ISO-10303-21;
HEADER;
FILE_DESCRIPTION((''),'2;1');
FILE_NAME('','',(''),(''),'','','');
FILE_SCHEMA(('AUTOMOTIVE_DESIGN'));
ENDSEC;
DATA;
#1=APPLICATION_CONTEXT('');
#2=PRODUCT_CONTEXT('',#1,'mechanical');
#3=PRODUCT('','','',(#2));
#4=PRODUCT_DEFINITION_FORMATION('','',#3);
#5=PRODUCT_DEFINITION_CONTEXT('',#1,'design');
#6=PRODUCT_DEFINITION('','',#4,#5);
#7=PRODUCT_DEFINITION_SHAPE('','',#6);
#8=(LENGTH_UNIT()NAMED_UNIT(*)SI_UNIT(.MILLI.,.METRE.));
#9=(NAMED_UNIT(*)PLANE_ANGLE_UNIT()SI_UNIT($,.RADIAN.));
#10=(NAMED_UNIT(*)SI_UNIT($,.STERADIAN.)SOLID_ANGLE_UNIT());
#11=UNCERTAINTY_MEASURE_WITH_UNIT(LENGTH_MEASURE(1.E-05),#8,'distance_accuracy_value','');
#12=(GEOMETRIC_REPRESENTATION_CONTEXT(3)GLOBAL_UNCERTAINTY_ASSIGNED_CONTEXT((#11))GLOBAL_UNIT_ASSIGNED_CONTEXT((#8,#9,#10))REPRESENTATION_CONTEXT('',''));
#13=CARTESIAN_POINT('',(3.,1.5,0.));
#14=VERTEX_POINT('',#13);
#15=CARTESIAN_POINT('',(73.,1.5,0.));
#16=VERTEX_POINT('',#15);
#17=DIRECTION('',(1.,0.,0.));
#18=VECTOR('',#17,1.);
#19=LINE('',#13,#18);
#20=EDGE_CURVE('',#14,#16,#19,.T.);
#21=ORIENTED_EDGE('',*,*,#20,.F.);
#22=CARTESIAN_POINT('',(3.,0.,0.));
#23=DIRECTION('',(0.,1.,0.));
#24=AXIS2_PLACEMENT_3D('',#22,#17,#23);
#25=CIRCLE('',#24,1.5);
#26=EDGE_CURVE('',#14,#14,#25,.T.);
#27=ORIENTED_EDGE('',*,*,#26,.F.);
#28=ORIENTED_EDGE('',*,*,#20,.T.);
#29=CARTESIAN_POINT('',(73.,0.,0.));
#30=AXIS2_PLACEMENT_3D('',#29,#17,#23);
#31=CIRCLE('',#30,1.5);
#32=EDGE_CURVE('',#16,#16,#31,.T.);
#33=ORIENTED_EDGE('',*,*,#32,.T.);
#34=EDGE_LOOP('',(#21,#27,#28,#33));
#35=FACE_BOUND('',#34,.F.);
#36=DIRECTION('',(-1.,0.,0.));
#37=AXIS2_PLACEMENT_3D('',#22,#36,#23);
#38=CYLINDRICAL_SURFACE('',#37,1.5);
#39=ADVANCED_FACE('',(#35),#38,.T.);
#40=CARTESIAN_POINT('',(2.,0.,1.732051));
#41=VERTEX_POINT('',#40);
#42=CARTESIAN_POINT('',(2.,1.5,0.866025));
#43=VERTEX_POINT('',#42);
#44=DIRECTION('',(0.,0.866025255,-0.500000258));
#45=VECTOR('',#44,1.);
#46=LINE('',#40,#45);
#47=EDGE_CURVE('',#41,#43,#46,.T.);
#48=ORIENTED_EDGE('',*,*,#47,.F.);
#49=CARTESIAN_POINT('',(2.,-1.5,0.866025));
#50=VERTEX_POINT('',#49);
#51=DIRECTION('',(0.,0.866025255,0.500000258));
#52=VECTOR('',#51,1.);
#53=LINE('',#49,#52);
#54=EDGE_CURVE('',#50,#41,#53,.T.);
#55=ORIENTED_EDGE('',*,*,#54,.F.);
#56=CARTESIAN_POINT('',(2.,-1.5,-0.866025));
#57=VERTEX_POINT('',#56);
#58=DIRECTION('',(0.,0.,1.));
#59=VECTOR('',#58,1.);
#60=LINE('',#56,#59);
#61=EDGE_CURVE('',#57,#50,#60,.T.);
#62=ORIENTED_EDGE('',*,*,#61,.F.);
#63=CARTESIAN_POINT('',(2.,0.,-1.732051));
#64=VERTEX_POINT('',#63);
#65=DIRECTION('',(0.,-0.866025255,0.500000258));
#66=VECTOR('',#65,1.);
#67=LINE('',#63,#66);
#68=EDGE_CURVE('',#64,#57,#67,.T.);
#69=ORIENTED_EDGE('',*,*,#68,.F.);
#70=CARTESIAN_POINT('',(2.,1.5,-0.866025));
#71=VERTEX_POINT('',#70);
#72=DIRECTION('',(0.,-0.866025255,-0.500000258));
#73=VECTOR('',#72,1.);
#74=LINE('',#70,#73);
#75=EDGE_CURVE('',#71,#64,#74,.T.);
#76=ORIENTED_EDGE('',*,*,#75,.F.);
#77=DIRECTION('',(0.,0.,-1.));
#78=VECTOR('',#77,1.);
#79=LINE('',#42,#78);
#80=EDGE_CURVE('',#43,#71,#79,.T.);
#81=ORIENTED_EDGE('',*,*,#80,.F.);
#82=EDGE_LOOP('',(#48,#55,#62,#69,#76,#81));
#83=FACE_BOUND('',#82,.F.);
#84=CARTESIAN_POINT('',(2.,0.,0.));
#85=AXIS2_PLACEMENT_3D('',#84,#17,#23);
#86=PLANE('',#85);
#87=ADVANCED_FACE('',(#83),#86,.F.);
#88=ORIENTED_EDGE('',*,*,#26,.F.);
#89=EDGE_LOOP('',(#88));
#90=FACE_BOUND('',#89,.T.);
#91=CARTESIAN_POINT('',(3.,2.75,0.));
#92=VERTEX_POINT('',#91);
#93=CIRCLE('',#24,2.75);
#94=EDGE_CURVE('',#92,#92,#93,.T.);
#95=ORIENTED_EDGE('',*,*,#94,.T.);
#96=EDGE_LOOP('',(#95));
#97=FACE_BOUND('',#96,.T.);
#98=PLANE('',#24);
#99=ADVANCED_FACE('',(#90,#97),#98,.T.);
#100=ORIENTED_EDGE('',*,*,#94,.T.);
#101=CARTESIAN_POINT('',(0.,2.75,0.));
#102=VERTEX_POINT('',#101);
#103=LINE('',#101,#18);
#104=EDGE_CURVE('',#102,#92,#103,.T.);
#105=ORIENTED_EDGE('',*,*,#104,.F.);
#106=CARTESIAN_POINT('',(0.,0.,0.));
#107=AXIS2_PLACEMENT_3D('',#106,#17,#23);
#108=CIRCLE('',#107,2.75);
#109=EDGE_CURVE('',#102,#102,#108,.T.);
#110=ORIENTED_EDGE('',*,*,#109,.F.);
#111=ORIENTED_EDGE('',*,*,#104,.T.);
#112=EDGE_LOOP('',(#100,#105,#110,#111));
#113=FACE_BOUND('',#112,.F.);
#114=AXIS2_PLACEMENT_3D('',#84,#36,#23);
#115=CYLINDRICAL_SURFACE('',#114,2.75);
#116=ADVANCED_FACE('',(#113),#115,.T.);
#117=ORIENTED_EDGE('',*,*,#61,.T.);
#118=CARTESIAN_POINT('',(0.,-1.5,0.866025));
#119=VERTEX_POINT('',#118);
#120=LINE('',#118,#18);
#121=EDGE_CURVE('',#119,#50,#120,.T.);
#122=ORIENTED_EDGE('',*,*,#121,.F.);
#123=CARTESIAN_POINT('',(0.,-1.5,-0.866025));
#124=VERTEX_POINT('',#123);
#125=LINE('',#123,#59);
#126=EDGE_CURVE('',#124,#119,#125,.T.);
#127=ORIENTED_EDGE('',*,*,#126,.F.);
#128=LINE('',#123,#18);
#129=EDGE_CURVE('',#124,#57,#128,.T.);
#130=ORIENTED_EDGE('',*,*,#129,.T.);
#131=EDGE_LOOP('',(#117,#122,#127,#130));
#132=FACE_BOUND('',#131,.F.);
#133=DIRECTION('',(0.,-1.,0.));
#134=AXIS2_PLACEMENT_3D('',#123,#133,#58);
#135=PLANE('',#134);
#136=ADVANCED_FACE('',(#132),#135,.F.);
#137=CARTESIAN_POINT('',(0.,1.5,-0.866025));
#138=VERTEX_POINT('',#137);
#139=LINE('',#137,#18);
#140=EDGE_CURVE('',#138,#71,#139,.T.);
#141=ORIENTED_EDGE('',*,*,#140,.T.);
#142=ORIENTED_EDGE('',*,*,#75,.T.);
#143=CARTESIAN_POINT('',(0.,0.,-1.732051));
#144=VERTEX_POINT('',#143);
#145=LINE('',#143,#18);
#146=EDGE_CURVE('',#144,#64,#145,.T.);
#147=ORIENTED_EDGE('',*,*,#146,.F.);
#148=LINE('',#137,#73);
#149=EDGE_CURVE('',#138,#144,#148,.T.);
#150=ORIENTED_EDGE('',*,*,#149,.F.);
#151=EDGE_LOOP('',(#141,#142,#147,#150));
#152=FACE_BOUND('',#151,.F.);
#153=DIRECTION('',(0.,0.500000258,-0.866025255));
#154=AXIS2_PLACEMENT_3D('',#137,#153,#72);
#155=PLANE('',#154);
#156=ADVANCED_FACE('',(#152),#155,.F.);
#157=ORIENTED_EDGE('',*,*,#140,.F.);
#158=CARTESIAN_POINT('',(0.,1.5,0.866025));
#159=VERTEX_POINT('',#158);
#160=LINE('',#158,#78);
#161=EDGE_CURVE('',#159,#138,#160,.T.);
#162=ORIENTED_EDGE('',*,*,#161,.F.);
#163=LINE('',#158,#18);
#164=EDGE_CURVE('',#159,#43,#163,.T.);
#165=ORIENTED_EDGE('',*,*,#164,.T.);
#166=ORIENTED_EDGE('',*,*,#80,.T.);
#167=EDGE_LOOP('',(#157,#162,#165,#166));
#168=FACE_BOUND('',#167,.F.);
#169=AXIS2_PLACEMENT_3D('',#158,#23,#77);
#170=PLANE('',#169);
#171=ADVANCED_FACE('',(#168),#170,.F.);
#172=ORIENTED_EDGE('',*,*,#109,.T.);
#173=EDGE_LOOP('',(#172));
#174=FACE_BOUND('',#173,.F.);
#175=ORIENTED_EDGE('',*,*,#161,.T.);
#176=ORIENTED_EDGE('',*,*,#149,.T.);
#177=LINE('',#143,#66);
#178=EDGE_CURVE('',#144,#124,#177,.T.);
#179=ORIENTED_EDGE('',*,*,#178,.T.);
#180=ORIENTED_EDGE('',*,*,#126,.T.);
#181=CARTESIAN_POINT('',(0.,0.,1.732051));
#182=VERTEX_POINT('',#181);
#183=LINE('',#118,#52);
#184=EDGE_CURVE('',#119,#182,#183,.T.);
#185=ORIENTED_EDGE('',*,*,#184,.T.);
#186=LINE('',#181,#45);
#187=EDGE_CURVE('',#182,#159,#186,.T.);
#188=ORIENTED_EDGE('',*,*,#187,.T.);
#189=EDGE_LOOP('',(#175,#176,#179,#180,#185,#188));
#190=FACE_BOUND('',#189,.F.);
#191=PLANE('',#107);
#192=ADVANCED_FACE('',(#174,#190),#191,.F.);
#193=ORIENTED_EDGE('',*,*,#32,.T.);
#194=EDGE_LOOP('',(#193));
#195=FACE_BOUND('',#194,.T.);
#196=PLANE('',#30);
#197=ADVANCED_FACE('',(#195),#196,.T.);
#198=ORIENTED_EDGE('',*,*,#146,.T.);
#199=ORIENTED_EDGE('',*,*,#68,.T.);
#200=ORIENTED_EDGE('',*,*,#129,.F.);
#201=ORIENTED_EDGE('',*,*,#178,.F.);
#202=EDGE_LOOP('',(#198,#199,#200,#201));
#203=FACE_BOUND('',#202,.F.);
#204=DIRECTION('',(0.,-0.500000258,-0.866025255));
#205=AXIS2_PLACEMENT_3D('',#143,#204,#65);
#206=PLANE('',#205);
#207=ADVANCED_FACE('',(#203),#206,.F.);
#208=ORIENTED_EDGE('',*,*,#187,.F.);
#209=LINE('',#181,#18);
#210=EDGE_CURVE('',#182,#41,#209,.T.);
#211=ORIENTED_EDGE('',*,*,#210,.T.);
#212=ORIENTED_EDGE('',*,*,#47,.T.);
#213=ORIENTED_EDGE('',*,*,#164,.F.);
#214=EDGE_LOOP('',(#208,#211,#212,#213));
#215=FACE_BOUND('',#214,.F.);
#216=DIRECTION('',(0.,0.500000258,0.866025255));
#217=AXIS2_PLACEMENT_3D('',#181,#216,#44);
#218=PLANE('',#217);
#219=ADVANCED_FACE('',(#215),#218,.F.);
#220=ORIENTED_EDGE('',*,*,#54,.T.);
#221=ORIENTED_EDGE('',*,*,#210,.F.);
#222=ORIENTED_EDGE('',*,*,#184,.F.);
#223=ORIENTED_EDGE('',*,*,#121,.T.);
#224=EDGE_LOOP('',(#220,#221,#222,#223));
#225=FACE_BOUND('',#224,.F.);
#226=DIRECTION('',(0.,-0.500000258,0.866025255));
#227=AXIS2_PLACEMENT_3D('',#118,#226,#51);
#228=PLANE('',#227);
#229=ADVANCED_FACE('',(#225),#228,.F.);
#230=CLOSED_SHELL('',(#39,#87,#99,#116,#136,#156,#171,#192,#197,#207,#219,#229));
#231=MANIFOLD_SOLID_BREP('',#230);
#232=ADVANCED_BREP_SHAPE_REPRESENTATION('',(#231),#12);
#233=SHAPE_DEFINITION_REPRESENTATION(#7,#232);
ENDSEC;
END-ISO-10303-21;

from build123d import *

# Parameters (mm, degrees)
F0_R     = 2.75
F1_DEPTH = 2
F2_R     = 2.75
F3_DEPTH = 1
F4_R     = 1.5
F5_DEPTH = 70


with BuildPart() as f1:
    # F0 (on Right) → F1 (new body)
    with BuildSketch(Plane.YZ):
        Circle(F0_R)
        Polygon((-1.5, -0.866025), (-1.5, 0.866025), (0, 1.732051), (1.5, 0.866025), (1.5, -0.866025), (0, -1.732051), align=None, mode=Mode.SUBTRACT)
    extrude(amount=F1_DEPTH)

    # F2 (on face) → F3 (join)
    with BuildSketch(Plane.YZ.offset(2)):
        Circle(F2_R)
    extrude(amount=F3_DEPTH)

    # F4 (on face) → F5 (join)
    with BuildSketch(Plane.YZ.offset(3)):
        Circle(F4_R)
    extrude(amount=F5_DEPTH)


solid = f1.part
